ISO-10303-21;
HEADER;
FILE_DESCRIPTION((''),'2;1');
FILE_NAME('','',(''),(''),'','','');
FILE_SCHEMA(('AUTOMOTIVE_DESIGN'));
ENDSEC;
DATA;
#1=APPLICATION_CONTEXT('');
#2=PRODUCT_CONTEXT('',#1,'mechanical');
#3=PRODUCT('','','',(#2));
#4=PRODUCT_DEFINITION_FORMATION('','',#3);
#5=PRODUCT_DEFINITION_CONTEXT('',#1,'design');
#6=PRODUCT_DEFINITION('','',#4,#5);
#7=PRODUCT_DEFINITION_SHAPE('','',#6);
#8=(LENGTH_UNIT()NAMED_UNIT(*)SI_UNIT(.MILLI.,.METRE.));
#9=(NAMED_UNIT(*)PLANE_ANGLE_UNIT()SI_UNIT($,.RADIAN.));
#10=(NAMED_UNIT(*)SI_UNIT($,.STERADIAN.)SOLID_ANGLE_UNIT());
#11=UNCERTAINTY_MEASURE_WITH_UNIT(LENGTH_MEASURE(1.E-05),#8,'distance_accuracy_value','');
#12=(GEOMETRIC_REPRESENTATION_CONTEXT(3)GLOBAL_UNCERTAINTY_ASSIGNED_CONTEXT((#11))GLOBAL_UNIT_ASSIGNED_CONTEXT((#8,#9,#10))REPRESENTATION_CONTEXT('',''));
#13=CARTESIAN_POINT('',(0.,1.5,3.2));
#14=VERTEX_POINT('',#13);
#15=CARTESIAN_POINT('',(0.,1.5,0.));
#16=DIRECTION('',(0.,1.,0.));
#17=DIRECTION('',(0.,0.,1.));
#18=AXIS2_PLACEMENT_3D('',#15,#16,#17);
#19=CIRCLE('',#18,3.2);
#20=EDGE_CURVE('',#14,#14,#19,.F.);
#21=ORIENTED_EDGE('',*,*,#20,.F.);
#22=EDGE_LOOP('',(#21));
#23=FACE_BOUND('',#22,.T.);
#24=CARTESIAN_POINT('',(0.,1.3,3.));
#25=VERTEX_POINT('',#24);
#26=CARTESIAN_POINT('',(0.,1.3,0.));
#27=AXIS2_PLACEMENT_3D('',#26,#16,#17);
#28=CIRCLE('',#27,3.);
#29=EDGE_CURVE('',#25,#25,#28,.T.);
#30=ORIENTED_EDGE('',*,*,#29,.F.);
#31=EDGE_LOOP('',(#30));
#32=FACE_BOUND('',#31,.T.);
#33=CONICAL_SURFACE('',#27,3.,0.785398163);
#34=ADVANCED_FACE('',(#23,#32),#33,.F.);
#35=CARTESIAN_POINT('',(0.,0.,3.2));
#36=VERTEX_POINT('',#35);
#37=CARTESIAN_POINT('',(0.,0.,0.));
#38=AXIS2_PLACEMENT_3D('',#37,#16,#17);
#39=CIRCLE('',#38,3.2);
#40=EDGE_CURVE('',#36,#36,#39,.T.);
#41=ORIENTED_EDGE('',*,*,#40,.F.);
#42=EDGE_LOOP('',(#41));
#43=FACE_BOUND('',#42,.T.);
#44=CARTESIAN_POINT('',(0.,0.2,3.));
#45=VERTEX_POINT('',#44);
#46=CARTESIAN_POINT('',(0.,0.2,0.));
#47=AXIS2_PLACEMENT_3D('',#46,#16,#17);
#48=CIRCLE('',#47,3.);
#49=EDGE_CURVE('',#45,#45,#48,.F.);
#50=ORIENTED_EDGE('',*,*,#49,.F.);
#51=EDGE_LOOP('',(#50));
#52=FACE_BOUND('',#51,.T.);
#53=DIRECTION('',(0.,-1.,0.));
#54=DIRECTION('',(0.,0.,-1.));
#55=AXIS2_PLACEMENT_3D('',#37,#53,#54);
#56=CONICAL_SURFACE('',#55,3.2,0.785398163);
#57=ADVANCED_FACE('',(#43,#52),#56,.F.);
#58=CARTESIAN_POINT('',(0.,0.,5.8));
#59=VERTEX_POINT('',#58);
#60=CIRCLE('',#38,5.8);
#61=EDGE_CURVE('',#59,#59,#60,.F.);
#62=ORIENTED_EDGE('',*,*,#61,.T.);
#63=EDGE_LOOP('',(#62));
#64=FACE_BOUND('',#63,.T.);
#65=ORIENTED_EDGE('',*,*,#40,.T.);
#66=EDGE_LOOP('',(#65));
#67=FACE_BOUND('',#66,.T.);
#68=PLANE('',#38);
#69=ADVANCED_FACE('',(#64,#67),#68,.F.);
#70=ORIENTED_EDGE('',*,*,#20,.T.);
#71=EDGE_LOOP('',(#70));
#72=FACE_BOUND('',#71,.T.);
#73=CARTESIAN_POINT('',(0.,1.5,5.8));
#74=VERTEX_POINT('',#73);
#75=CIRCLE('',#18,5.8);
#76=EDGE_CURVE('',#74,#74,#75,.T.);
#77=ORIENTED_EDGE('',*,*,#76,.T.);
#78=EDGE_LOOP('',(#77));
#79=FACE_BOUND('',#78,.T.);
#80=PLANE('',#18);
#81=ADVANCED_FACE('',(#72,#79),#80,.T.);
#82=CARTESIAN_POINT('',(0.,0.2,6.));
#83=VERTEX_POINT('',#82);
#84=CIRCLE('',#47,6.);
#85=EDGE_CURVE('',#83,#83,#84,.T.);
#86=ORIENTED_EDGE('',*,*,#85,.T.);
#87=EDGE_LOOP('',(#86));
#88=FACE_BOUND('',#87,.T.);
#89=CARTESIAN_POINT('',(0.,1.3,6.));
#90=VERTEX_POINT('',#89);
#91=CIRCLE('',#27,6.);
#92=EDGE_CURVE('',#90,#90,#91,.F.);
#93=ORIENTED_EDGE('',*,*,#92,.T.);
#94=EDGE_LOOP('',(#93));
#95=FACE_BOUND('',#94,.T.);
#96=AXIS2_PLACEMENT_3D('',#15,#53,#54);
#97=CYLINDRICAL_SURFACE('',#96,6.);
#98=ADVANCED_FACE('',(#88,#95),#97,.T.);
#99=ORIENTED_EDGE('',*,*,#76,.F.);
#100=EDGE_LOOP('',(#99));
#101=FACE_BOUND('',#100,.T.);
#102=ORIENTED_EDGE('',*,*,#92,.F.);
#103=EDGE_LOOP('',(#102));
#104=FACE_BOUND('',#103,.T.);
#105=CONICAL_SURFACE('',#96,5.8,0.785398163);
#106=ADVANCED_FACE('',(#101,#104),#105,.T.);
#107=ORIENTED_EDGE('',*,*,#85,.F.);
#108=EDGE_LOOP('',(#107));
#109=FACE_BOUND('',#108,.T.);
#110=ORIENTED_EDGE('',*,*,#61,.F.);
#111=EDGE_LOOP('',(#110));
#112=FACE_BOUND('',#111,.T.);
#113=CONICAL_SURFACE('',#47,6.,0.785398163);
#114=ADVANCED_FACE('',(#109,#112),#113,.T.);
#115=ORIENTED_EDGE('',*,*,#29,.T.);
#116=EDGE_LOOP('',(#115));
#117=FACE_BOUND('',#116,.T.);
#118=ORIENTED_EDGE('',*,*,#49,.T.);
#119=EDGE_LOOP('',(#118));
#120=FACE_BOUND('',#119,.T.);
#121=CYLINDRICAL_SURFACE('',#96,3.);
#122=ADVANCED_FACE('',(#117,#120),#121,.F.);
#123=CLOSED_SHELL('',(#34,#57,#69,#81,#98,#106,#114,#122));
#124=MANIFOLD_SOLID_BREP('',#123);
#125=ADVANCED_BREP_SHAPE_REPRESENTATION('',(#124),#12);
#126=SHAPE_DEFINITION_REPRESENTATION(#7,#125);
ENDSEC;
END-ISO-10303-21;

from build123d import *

# Parameters (mm, degrees)
SKETCH_1_R      = 6
SKETCH_1_R_2    = 3
EXTRUDE_1_DEPTH = 1.5
CHAMFER_1_SIZE  = 0.2


with BuildPart() as part:
    # 草图1 → 凸台-拉伸1 (new body)
    with BuildSketch(Plane(origin=(0, 0, 0), x_dir=(1, 0, 0), z_dir=(0, 1, 0))):
        Circle(SKETCH_1_R)
        Circle(SKETCH_1_R_2, mode=Mode.SUBTRACT)
    extrude(amount=EXTRUDE_1_DEPTH)

    # 倒角1
    chamfer_1_edges = [part.edges().sort_by_distance(p)[0] for p in [
        (-6, 0, 0),
        (-6, 1.5, 0),
        (-3, 0, 0),
        (-3, 1.5, 0),
    ]]
    chamfer(chamfer_1_edges, length=CHAMFER_1_SIZE)


solid = part.part
